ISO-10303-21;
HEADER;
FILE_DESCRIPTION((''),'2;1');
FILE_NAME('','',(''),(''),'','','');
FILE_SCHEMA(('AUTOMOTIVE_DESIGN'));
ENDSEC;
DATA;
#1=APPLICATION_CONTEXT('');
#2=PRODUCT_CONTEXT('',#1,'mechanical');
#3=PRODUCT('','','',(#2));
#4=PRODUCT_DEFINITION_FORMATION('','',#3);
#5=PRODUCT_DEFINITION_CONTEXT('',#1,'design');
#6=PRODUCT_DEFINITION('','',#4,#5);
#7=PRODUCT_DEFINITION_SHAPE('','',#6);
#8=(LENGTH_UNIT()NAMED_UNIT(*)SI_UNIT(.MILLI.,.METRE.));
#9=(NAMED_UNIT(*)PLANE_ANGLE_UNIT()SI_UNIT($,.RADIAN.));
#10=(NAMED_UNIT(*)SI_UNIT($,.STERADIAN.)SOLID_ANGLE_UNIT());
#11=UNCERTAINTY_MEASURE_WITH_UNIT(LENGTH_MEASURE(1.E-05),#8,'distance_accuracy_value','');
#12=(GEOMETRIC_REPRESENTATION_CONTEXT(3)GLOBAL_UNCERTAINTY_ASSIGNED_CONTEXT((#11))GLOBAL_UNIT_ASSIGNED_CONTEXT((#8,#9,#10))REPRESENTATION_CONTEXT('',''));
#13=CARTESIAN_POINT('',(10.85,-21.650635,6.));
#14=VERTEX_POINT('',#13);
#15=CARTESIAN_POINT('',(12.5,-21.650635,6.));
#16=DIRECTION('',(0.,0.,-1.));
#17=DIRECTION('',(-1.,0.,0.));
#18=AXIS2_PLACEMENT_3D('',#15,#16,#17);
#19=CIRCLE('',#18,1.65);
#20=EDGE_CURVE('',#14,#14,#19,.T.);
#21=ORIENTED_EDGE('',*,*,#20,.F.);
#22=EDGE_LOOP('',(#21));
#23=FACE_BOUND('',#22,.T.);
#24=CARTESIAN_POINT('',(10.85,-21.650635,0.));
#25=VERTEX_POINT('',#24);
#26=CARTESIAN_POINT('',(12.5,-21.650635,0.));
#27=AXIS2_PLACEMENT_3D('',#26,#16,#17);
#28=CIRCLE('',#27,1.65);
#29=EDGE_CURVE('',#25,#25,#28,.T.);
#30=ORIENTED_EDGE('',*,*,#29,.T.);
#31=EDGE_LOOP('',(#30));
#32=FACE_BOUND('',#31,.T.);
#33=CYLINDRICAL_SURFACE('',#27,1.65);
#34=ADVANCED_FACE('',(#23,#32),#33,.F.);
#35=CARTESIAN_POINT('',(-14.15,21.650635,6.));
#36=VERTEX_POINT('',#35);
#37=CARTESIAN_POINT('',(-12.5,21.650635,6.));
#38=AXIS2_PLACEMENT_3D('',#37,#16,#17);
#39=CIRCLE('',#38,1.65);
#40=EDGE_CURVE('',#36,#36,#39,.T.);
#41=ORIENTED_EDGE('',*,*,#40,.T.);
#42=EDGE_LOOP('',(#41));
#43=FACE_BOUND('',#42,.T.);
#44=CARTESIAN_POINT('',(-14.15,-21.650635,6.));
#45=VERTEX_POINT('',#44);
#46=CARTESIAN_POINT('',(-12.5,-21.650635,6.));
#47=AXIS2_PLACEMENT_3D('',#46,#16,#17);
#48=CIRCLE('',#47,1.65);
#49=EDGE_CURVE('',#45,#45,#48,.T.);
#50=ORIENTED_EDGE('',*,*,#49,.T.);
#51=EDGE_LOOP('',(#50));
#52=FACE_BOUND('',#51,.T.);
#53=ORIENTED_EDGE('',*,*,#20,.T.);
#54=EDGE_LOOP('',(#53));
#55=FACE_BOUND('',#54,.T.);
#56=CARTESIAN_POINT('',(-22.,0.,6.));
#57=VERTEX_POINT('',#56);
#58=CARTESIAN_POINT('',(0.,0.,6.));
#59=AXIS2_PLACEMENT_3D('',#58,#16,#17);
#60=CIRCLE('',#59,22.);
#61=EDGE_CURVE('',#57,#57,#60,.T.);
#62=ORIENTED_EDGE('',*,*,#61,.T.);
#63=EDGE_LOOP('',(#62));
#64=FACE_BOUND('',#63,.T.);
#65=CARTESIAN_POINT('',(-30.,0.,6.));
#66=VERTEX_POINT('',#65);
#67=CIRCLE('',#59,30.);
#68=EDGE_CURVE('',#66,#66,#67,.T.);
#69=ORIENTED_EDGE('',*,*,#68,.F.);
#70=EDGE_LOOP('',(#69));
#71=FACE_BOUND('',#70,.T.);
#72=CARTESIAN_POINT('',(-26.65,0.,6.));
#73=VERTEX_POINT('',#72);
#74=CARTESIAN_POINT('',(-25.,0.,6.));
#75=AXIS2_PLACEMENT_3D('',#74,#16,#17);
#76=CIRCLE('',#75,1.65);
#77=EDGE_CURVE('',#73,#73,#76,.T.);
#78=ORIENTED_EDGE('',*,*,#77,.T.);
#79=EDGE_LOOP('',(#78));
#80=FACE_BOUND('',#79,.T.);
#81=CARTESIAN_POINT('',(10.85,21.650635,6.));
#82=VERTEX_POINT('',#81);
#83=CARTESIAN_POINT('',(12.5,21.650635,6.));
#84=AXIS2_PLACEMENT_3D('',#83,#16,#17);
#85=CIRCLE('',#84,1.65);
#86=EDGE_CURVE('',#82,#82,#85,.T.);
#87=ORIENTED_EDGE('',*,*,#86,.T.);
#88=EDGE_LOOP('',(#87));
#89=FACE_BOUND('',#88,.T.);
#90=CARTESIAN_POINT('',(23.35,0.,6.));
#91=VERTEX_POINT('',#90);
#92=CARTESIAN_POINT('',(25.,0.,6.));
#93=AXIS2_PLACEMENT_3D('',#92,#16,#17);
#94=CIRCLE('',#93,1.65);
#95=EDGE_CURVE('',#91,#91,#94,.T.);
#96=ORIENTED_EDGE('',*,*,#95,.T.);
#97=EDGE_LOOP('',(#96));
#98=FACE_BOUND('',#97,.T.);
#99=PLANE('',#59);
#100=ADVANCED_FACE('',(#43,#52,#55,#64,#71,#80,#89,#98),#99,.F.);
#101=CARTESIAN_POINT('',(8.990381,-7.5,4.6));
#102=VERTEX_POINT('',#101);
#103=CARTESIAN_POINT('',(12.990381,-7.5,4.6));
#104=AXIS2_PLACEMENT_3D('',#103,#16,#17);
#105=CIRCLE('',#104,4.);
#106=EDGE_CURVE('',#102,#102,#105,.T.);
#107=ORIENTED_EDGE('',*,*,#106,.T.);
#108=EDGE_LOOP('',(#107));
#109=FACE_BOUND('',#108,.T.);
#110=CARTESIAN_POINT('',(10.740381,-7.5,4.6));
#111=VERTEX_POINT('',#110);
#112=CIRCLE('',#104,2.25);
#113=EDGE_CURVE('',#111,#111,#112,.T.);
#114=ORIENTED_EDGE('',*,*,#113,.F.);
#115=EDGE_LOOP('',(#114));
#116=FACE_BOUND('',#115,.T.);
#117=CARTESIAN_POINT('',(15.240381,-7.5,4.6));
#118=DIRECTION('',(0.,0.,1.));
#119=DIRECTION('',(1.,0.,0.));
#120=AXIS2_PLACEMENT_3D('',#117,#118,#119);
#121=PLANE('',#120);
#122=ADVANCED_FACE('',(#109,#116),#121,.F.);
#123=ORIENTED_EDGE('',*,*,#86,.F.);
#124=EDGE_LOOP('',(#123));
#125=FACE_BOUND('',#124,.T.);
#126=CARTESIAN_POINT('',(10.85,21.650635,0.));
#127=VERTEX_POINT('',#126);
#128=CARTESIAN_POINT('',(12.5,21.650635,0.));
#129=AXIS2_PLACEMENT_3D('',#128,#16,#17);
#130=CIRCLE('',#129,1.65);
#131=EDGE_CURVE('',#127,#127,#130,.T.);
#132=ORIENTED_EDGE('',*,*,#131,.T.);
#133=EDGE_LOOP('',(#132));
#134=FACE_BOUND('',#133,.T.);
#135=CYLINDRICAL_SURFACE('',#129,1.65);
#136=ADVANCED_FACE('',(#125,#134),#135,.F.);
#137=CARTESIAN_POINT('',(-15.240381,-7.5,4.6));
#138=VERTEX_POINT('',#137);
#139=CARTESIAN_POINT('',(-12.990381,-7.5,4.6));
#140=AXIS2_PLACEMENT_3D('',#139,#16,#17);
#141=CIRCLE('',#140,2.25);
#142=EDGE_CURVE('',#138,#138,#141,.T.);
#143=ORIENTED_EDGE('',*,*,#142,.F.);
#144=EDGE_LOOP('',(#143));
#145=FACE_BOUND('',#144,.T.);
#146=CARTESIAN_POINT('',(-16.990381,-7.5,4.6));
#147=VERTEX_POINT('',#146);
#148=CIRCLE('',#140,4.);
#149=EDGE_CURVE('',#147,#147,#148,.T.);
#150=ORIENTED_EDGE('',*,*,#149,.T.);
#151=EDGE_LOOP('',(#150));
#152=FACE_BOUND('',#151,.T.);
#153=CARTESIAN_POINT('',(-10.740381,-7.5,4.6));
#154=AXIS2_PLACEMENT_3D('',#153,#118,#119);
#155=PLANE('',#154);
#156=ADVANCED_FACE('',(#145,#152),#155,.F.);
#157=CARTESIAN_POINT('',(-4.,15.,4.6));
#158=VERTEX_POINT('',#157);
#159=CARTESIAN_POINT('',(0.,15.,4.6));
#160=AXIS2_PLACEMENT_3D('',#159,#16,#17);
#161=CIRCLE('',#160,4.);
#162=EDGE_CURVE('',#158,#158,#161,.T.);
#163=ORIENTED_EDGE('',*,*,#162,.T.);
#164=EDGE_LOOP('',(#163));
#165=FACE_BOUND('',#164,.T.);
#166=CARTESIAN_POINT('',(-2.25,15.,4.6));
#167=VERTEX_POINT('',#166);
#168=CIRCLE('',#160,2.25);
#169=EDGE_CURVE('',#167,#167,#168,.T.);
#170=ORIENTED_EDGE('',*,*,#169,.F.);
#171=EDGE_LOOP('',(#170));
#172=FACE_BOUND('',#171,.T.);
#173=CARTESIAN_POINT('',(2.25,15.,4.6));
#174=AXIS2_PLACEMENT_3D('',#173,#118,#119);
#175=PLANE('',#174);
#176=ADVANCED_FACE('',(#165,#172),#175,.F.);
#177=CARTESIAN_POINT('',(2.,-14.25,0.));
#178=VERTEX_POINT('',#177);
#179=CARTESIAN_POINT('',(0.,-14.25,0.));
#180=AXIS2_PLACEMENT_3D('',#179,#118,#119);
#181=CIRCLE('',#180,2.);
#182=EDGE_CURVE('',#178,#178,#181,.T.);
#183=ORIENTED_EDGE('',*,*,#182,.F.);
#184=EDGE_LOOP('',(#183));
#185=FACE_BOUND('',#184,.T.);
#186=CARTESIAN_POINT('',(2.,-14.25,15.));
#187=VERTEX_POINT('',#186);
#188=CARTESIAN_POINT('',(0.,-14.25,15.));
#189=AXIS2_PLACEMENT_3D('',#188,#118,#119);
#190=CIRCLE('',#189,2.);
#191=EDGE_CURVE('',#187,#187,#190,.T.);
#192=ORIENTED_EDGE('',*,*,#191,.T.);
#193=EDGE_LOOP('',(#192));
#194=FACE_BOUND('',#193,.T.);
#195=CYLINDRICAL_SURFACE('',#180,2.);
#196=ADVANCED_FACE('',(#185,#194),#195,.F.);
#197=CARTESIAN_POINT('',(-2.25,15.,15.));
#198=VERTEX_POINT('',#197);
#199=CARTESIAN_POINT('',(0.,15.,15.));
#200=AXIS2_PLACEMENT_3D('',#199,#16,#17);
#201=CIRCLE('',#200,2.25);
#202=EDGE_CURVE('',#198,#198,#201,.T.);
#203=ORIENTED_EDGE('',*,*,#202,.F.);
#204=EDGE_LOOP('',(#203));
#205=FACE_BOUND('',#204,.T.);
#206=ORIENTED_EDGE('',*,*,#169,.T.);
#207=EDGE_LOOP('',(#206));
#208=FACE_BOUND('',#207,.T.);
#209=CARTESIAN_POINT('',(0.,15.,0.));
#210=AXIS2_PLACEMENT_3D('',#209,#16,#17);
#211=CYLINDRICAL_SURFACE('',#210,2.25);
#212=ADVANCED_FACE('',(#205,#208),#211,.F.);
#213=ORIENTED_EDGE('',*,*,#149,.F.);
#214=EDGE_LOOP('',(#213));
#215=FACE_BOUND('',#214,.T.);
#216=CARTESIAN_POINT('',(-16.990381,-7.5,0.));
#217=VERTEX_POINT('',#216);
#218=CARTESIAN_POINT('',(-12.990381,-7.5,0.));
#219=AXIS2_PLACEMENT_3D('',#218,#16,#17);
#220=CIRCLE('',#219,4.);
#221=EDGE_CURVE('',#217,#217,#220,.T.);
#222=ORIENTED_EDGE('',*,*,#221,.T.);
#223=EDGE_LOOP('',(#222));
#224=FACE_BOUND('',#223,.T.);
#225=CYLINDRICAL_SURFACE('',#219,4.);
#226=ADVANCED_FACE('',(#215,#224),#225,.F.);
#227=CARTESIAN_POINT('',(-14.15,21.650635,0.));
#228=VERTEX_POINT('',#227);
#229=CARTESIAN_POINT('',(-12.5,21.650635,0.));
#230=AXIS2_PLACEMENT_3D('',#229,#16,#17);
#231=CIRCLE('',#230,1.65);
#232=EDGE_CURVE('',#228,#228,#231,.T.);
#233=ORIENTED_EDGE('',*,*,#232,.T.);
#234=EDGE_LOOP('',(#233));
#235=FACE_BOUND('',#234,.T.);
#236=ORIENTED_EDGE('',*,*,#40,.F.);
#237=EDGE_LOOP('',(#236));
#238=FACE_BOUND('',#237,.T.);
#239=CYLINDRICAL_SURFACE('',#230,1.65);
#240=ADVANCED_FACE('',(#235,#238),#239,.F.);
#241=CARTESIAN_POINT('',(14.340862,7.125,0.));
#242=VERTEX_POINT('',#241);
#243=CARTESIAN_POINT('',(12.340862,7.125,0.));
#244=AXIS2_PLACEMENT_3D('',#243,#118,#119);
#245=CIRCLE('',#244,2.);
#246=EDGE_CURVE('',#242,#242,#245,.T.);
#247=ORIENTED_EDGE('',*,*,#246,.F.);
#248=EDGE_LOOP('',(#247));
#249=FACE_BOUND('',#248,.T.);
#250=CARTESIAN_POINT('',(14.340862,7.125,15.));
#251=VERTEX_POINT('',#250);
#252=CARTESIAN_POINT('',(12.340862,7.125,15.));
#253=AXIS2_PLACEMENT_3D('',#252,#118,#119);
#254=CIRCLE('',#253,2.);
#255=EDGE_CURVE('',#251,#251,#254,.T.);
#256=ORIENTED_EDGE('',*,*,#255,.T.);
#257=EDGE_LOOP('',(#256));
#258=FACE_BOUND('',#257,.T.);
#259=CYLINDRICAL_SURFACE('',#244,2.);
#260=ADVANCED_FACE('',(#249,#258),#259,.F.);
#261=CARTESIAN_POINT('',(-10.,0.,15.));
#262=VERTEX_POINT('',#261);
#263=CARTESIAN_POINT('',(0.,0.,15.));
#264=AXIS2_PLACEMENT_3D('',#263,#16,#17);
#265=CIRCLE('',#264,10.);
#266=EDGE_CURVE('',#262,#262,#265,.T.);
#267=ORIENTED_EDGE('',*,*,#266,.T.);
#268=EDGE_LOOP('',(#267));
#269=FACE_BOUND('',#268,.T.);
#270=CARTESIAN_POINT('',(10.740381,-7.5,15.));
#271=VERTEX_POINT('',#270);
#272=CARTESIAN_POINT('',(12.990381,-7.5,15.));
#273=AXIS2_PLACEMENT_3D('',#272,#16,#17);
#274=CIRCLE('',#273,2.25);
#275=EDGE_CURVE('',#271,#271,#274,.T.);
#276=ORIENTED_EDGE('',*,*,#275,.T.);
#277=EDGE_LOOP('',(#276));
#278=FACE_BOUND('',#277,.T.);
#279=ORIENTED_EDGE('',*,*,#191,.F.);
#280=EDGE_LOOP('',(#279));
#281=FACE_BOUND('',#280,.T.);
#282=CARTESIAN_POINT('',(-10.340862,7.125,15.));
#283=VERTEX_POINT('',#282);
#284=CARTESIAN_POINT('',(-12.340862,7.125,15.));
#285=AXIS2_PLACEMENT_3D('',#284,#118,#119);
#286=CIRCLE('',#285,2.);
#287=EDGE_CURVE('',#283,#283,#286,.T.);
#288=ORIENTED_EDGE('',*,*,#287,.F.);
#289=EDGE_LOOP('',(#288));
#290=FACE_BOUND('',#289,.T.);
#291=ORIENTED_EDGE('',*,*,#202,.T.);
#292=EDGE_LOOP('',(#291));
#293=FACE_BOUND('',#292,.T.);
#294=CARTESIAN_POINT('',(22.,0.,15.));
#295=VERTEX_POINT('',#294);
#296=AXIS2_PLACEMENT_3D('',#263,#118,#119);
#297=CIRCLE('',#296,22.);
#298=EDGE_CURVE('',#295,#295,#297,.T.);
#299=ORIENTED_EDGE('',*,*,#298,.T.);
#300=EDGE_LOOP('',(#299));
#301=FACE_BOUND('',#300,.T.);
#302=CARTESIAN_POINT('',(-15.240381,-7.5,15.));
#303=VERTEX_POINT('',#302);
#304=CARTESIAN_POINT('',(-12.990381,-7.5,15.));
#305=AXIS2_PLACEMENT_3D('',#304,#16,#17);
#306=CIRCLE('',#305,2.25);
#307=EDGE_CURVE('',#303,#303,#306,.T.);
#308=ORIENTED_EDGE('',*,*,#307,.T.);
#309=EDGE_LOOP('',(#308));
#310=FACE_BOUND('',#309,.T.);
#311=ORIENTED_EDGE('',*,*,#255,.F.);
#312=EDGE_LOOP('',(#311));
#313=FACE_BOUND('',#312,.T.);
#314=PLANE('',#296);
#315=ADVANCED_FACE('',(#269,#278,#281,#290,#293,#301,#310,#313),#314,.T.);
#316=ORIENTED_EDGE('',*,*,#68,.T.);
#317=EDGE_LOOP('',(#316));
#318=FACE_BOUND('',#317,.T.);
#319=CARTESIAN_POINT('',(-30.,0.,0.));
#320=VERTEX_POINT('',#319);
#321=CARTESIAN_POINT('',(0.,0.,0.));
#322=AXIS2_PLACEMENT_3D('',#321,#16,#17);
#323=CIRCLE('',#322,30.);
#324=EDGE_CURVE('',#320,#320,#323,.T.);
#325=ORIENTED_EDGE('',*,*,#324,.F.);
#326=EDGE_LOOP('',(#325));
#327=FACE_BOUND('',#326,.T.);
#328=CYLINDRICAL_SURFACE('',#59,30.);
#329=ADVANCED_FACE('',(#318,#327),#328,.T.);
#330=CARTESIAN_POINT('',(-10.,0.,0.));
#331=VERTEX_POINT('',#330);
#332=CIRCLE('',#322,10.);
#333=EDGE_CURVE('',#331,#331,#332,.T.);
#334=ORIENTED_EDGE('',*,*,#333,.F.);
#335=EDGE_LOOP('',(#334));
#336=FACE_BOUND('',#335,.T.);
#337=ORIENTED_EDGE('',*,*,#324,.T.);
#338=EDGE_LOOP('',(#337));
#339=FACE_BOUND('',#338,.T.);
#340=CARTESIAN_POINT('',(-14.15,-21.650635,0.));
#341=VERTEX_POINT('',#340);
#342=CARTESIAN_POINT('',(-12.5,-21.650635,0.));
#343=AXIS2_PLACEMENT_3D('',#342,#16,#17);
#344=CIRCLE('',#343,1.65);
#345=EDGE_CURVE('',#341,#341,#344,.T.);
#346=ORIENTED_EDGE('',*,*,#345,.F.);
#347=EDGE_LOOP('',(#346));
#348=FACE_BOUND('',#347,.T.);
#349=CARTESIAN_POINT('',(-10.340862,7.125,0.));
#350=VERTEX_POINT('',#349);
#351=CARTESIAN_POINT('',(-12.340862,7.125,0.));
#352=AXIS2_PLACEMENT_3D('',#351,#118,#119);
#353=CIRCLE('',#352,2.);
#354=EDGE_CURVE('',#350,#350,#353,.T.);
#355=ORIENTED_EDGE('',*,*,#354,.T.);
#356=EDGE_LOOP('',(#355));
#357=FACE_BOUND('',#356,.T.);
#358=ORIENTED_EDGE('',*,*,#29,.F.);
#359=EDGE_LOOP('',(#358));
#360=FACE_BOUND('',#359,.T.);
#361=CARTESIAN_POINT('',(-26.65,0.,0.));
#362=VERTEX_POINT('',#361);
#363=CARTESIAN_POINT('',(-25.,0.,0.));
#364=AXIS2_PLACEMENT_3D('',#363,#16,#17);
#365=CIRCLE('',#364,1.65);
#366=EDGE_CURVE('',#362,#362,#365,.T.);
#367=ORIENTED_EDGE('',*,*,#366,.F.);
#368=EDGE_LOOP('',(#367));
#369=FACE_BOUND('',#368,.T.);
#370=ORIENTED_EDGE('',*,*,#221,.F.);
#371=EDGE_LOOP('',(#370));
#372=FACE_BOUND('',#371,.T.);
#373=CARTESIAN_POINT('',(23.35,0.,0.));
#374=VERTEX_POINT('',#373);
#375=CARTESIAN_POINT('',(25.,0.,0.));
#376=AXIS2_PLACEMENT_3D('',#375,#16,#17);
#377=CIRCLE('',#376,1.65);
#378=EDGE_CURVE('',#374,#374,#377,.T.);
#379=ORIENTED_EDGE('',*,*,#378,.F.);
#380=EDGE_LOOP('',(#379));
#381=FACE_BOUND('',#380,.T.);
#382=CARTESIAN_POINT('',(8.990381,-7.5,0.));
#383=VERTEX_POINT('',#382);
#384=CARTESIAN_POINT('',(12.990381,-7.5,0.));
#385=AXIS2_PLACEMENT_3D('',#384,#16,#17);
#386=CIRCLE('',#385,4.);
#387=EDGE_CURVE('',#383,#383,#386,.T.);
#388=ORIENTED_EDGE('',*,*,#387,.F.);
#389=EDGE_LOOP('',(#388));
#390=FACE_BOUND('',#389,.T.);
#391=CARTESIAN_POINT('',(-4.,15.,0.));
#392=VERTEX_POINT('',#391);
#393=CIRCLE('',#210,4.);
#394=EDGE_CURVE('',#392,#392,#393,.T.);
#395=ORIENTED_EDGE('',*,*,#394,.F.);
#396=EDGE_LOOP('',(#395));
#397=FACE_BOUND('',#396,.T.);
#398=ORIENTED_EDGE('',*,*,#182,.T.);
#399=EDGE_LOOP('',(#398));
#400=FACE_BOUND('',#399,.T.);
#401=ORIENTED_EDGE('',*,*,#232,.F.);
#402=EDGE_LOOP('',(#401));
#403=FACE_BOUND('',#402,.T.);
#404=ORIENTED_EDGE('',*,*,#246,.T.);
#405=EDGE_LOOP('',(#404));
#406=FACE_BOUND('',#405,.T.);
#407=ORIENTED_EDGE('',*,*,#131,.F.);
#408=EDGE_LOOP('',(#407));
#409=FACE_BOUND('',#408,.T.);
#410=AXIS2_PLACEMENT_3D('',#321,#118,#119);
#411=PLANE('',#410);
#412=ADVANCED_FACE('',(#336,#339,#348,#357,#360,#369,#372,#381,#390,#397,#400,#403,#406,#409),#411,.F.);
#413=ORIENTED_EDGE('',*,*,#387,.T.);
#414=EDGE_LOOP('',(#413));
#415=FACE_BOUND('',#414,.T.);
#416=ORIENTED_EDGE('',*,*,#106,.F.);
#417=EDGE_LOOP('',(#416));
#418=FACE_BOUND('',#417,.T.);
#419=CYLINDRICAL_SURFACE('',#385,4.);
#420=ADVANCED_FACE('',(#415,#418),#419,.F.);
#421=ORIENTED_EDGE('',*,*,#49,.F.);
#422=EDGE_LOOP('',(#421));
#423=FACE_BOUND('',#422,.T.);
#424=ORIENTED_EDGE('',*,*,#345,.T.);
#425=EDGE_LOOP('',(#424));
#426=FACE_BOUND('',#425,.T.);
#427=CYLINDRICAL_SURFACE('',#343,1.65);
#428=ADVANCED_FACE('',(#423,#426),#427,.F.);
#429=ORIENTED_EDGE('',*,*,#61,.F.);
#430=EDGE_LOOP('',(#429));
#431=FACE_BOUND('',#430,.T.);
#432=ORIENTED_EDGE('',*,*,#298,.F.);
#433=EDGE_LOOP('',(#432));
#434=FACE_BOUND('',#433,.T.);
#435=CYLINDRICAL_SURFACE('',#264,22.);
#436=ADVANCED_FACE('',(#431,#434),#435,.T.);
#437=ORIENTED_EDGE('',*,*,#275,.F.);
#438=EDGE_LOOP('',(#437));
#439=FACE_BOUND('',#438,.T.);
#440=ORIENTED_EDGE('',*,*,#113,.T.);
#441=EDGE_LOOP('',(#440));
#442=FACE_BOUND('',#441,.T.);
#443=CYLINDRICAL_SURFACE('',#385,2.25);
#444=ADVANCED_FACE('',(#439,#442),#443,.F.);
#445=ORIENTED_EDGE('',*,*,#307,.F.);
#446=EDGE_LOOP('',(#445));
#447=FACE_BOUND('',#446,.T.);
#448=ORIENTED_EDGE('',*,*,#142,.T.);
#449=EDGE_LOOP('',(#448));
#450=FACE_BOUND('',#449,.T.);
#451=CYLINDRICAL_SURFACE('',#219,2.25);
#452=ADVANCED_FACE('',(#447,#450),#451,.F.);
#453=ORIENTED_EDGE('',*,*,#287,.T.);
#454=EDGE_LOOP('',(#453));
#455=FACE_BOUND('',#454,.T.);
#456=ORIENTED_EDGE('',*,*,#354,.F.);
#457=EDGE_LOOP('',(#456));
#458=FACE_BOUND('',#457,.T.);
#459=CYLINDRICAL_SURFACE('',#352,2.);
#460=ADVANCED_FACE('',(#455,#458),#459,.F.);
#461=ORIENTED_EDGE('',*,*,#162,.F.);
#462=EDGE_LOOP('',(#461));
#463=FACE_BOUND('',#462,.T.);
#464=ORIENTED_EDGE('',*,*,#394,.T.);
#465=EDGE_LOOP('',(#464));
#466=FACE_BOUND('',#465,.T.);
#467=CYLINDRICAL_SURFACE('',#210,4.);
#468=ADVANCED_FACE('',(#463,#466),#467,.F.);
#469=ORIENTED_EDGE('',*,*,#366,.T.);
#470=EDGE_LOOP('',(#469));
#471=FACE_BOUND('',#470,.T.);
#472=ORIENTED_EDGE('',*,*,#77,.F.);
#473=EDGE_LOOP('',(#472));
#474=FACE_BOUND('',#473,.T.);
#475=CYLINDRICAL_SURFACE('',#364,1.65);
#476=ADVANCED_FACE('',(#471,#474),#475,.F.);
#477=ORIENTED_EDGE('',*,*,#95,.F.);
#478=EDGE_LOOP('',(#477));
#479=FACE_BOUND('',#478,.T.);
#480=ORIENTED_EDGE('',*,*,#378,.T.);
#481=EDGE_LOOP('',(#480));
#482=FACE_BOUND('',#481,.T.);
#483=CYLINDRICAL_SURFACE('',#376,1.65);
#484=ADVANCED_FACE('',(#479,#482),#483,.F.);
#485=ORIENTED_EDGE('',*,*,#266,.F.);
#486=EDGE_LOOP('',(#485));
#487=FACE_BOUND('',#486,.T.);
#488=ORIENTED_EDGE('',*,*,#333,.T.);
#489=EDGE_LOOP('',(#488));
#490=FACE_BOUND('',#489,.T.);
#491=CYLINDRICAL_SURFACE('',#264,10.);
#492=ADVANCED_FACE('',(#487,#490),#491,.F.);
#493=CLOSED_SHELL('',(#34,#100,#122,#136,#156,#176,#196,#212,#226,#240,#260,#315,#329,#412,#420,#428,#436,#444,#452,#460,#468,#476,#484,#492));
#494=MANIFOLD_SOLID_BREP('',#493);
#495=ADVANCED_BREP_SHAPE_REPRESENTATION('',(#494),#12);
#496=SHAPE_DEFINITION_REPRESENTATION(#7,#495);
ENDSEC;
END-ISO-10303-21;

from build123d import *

# Parameters (mm, degrees)
SKETCH_1_R                = 22
EXTRUDE_1_DEPTH           = 15
SKETCH_6_R                = 30
EXTRUDE_2_DEPTH           = 6
CUT_EXTRUDE_1_DEPTH       = 46
CUT_EXTRUDE_1_DEPTH_BACK  = 46
SKETCH_2_R                = 2
SKETCH_3_R                = 10
CUT_EXTRUDE_2_DEPTH       = 46
HOLE_WIZARD_1_D           = 4.5
HOLE_WIZARD_1_CBORE_D     = 8
HOLE_WIZARD_1_CBORE_DEPTH = 4.6
HOLE_WIZARD_M4_1_D        = 3.3


with BuildPart() as part:
    # 草图1 → 凸台-拉伸1 (new body)
    with BuildSketch(Plane.XY):
        Circle(SKETCH_1_R)
    extrude(amount=EXTRUDE_1_DEPTH)

    # 草图6 → 凸台-拉伸2 (add)
    with BuildSketch(Plane(origin=(0, 0, 0), x_dir=(-1, 0, 0), z_dir=(0, 0, -1))):
        Circle(SKETCH_6_R)
    extrude(amount=-EXTRUDE_2_DEPTH)

    # 草图2 → 切除-拉伸1 (cut, two sides: drawn at the far end of the back side and taken through both)
    with BuildSketch(Plane.XY.offset(15).offset(-CUT_EXTRUDE_1_DEPTH_BACK)):
        with Locations((-12.340862004, 7.125)):
            Circle(SKETCH_2_R)
        with Locations((12.340862004, 7.125)):
            Circle(SKETCH_2_R)
        with Locations((0, -14.25)):
            Circle(SKETCH_2_R)
    extrude(amount=CUT_EXTRUDE_1_DEPTH + CUT_EXTRUDE_1_DEPTH_BACK, mode=Mode.SUBTRACT)

    # 草图3 → 切除-拉伸2 (cut, through all)
    with BuildSketch(Plane(origin=(0, 0, 0), x_dir=(-1, 0, 0), z_dir=(0, 0, -1))):
        Circle(SKETCH_3_R)
    extrude(amount=-CUT_EXTRUDE_2_DEPTH, mode=Mode.SUBTRACT)

    # 打孔尺寸(%根据)内六角圆柱头螺钉的类型1 (through all)
    with Locations(Plane(origin=(12.990381057, -7.5, 0), x_dir=(-1, 0, 0), z_dir=(0, 0, -1))):
        with Locations((0, 0), (25.980762114, 0), (12.990381057, 22.5)):
            CounterBoreHole(HOLE_WIZARD_1_D / 2, HOLE_WIZARD_1_CBORE_D / 2, HOLE_WIZARD_1_CBORE_DEPTH)

    # M4 螺纹孔1 (through all)
    with Locations(Plane(origin=(25, 0, 0), x_dir=(-1, 0, 0), z_dir=(0, 0, -1))):
        with Locations((0, 0), (12.5, 21.650635095), (37.5, 21.650635095), (50, 0), (37.5, -21.650635095), (12.5, -21.650635095)):
            Hole(HOLE_WIZARD_M4_1_D / 2)


solid = part.part
